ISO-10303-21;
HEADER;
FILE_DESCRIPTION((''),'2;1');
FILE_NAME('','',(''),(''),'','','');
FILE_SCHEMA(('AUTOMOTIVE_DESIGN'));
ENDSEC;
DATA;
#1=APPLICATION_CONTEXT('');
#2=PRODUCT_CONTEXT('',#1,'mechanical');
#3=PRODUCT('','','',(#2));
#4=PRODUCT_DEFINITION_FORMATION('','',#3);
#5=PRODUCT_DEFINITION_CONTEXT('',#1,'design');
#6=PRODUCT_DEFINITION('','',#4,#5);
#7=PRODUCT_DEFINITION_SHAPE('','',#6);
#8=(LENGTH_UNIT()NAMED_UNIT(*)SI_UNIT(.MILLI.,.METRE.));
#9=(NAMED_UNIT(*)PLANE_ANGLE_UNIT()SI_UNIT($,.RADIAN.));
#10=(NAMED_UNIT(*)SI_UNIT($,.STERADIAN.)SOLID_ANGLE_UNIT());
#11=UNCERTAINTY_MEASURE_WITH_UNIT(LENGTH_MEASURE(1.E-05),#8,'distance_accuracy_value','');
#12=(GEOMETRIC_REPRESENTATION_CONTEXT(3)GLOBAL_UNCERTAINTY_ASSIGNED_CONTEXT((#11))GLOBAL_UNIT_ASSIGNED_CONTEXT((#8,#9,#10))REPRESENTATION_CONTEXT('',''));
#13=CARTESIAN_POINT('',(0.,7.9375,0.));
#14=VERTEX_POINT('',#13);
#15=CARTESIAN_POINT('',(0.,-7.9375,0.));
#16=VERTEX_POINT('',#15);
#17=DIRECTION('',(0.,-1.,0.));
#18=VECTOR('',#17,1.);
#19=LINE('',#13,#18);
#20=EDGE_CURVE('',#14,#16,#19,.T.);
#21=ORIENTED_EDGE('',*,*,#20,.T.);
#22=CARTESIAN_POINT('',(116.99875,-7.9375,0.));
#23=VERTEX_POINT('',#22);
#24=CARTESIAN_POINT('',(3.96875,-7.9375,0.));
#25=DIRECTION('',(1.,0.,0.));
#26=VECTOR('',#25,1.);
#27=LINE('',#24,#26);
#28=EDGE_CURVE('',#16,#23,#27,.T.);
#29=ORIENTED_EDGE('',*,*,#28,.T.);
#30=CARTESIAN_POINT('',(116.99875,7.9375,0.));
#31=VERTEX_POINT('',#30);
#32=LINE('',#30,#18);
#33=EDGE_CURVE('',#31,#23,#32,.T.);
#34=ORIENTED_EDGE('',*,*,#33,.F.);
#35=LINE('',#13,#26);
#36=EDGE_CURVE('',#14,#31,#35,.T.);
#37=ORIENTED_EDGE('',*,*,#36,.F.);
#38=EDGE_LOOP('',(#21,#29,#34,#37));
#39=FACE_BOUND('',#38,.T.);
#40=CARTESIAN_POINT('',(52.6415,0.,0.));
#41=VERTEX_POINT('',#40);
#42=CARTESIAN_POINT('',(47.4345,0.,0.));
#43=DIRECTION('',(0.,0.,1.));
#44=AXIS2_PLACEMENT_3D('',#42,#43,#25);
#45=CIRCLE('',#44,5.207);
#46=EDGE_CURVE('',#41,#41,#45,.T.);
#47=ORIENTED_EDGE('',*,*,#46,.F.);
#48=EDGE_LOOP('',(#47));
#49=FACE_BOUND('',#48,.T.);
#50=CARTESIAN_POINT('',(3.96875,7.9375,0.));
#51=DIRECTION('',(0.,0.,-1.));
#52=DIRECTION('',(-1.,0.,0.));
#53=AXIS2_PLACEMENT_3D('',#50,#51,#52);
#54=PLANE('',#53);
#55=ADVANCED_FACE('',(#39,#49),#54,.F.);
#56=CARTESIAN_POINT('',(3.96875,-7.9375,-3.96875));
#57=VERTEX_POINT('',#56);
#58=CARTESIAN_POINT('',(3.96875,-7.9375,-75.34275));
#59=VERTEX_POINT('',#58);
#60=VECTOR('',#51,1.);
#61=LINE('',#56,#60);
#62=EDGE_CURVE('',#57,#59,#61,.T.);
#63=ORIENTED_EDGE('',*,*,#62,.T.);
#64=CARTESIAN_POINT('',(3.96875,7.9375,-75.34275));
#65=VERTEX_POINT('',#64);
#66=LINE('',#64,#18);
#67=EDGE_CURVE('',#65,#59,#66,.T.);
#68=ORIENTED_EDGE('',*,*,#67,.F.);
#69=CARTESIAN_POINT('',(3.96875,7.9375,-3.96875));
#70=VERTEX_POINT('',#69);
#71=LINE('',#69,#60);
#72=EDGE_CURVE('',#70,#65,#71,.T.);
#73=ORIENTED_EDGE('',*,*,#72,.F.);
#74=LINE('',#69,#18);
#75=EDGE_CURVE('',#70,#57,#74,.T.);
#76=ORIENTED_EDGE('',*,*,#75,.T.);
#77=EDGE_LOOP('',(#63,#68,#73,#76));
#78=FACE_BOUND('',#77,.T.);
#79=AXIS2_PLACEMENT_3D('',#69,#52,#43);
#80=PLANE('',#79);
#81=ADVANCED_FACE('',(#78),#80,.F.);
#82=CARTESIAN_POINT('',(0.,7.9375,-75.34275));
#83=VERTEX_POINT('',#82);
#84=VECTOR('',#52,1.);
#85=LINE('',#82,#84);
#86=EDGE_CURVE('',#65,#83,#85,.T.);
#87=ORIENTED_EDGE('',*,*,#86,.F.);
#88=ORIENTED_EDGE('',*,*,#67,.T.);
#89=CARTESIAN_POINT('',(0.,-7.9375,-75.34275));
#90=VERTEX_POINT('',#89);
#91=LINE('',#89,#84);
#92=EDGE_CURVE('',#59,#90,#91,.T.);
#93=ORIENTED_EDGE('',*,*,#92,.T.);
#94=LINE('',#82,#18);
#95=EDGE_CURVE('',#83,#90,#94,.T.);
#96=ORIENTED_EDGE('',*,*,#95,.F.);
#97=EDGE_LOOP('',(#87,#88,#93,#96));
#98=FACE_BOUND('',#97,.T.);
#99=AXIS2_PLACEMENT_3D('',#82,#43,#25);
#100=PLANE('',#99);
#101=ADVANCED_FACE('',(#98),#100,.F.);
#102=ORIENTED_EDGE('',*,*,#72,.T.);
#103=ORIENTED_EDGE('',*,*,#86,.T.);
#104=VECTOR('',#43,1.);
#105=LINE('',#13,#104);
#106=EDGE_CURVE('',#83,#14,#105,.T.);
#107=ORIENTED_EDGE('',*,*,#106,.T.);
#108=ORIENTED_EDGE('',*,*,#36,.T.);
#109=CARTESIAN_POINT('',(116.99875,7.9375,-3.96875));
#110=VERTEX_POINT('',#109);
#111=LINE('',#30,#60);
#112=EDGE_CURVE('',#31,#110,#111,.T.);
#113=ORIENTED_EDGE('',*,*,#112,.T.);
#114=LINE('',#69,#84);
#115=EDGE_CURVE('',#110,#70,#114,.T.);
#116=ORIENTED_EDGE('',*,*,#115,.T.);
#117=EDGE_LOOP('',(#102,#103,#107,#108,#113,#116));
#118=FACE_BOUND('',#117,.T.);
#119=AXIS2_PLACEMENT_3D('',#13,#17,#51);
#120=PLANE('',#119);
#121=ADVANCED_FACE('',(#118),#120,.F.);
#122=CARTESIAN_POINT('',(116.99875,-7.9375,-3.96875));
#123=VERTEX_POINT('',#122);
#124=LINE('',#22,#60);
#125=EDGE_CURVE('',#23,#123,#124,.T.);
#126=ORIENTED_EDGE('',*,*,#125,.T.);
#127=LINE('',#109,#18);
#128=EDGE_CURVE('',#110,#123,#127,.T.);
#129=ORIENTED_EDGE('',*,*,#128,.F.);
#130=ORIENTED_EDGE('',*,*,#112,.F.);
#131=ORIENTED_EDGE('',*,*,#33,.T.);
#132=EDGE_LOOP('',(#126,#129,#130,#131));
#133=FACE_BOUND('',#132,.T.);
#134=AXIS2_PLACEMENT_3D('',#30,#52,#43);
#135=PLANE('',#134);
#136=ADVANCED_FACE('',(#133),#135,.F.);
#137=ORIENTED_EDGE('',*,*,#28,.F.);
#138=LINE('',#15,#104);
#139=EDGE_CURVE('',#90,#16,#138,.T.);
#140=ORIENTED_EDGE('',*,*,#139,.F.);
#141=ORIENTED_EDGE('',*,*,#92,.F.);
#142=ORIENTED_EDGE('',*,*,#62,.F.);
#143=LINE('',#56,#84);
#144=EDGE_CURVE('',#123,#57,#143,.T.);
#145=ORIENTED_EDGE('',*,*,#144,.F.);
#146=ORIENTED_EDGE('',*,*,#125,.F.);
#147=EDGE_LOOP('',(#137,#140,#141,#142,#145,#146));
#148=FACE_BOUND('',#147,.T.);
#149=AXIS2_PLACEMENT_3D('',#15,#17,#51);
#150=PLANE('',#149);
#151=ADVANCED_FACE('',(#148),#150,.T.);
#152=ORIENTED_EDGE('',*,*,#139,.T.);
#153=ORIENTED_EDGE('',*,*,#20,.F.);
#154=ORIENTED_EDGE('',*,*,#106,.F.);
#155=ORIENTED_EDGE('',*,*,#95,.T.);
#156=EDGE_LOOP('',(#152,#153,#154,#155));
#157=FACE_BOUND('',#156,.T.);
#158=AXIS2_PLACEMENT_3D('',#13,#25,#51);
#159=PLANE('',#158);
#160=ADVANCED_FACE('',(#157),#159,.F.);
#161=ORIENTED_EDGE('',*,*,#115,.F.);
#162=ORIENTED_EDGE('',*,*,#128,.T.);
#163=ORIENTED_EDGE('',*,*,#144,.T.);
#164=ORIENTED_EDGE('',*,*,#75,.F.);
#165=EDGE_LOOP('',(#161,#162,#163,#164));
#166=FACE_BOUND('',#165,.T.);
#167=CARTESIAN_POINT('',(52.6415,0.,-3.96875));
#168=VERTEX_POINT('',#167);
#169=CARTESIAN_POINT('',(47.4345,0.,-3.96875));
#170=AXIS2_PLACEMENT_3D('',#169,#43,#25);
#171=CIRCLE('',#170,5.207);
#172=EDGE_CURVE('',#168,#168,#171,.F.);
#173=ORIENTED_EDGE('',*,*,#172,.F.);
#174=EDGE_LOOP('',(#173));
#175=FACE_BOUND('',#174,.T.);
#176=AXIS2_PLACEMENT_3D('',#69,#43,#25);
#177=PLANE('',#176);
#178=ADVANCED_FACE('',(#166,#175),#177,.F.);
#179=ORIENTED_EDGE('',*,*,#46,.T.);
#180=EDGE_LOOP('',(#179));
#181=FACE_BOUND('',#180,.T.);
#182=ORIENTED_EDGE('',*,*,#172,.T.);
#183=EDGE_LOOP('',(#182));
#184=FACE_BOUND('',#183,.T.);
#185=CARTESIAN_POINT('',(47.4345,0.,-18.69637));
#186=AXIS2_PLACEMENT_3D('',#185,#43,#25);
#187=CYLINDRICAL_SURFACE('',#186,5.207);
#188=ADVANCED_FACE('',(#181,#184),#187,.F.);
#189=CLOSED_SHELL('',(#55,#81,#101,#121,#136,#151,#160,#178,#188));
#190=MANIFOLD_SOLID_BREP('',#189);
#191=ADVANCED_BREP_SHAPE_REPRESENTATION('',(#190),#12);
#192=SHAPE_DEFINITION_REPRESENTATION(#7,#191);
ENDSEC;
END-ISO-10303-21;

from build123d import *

# Parameters (mm, degrees)
BOSS_EXTRUDE1_DEPTH = 7.9375
SKETCH2_R           = 5.207
CUT_EXTRUDE1_DEPTH  = 3.96875


with BuildPart() as part:
    # Sketch1 → Boss-Extrude1 (new, symmetric)
    with BuildSketch(Plane(origin=(0, 0, 0), x_dir=(1, 0, 0), z_dir=(0, 1, 0))):
        Polygon((0, 0), (3.96875, 0), (116.99875, 0), (116.99875, 3.96875), (3.96875, 3.96875), (3.96875, 75.34275), (0, 75.34275), align=None)
    extrude(amount=BOSS_EXTRUDE1_DEPTH, both=True)

    # Sketch2 → Cut-Extrude1 (cut)
    with BuildSketch(Plane.XY):
        with Locations((47.4345, 0)):
            Circle(SKETCH2_R)
    extrude(amount=-CUT_EXTRUDE1_DEPTH, mode=Mode.SUBTRACT)


solid = part.part
